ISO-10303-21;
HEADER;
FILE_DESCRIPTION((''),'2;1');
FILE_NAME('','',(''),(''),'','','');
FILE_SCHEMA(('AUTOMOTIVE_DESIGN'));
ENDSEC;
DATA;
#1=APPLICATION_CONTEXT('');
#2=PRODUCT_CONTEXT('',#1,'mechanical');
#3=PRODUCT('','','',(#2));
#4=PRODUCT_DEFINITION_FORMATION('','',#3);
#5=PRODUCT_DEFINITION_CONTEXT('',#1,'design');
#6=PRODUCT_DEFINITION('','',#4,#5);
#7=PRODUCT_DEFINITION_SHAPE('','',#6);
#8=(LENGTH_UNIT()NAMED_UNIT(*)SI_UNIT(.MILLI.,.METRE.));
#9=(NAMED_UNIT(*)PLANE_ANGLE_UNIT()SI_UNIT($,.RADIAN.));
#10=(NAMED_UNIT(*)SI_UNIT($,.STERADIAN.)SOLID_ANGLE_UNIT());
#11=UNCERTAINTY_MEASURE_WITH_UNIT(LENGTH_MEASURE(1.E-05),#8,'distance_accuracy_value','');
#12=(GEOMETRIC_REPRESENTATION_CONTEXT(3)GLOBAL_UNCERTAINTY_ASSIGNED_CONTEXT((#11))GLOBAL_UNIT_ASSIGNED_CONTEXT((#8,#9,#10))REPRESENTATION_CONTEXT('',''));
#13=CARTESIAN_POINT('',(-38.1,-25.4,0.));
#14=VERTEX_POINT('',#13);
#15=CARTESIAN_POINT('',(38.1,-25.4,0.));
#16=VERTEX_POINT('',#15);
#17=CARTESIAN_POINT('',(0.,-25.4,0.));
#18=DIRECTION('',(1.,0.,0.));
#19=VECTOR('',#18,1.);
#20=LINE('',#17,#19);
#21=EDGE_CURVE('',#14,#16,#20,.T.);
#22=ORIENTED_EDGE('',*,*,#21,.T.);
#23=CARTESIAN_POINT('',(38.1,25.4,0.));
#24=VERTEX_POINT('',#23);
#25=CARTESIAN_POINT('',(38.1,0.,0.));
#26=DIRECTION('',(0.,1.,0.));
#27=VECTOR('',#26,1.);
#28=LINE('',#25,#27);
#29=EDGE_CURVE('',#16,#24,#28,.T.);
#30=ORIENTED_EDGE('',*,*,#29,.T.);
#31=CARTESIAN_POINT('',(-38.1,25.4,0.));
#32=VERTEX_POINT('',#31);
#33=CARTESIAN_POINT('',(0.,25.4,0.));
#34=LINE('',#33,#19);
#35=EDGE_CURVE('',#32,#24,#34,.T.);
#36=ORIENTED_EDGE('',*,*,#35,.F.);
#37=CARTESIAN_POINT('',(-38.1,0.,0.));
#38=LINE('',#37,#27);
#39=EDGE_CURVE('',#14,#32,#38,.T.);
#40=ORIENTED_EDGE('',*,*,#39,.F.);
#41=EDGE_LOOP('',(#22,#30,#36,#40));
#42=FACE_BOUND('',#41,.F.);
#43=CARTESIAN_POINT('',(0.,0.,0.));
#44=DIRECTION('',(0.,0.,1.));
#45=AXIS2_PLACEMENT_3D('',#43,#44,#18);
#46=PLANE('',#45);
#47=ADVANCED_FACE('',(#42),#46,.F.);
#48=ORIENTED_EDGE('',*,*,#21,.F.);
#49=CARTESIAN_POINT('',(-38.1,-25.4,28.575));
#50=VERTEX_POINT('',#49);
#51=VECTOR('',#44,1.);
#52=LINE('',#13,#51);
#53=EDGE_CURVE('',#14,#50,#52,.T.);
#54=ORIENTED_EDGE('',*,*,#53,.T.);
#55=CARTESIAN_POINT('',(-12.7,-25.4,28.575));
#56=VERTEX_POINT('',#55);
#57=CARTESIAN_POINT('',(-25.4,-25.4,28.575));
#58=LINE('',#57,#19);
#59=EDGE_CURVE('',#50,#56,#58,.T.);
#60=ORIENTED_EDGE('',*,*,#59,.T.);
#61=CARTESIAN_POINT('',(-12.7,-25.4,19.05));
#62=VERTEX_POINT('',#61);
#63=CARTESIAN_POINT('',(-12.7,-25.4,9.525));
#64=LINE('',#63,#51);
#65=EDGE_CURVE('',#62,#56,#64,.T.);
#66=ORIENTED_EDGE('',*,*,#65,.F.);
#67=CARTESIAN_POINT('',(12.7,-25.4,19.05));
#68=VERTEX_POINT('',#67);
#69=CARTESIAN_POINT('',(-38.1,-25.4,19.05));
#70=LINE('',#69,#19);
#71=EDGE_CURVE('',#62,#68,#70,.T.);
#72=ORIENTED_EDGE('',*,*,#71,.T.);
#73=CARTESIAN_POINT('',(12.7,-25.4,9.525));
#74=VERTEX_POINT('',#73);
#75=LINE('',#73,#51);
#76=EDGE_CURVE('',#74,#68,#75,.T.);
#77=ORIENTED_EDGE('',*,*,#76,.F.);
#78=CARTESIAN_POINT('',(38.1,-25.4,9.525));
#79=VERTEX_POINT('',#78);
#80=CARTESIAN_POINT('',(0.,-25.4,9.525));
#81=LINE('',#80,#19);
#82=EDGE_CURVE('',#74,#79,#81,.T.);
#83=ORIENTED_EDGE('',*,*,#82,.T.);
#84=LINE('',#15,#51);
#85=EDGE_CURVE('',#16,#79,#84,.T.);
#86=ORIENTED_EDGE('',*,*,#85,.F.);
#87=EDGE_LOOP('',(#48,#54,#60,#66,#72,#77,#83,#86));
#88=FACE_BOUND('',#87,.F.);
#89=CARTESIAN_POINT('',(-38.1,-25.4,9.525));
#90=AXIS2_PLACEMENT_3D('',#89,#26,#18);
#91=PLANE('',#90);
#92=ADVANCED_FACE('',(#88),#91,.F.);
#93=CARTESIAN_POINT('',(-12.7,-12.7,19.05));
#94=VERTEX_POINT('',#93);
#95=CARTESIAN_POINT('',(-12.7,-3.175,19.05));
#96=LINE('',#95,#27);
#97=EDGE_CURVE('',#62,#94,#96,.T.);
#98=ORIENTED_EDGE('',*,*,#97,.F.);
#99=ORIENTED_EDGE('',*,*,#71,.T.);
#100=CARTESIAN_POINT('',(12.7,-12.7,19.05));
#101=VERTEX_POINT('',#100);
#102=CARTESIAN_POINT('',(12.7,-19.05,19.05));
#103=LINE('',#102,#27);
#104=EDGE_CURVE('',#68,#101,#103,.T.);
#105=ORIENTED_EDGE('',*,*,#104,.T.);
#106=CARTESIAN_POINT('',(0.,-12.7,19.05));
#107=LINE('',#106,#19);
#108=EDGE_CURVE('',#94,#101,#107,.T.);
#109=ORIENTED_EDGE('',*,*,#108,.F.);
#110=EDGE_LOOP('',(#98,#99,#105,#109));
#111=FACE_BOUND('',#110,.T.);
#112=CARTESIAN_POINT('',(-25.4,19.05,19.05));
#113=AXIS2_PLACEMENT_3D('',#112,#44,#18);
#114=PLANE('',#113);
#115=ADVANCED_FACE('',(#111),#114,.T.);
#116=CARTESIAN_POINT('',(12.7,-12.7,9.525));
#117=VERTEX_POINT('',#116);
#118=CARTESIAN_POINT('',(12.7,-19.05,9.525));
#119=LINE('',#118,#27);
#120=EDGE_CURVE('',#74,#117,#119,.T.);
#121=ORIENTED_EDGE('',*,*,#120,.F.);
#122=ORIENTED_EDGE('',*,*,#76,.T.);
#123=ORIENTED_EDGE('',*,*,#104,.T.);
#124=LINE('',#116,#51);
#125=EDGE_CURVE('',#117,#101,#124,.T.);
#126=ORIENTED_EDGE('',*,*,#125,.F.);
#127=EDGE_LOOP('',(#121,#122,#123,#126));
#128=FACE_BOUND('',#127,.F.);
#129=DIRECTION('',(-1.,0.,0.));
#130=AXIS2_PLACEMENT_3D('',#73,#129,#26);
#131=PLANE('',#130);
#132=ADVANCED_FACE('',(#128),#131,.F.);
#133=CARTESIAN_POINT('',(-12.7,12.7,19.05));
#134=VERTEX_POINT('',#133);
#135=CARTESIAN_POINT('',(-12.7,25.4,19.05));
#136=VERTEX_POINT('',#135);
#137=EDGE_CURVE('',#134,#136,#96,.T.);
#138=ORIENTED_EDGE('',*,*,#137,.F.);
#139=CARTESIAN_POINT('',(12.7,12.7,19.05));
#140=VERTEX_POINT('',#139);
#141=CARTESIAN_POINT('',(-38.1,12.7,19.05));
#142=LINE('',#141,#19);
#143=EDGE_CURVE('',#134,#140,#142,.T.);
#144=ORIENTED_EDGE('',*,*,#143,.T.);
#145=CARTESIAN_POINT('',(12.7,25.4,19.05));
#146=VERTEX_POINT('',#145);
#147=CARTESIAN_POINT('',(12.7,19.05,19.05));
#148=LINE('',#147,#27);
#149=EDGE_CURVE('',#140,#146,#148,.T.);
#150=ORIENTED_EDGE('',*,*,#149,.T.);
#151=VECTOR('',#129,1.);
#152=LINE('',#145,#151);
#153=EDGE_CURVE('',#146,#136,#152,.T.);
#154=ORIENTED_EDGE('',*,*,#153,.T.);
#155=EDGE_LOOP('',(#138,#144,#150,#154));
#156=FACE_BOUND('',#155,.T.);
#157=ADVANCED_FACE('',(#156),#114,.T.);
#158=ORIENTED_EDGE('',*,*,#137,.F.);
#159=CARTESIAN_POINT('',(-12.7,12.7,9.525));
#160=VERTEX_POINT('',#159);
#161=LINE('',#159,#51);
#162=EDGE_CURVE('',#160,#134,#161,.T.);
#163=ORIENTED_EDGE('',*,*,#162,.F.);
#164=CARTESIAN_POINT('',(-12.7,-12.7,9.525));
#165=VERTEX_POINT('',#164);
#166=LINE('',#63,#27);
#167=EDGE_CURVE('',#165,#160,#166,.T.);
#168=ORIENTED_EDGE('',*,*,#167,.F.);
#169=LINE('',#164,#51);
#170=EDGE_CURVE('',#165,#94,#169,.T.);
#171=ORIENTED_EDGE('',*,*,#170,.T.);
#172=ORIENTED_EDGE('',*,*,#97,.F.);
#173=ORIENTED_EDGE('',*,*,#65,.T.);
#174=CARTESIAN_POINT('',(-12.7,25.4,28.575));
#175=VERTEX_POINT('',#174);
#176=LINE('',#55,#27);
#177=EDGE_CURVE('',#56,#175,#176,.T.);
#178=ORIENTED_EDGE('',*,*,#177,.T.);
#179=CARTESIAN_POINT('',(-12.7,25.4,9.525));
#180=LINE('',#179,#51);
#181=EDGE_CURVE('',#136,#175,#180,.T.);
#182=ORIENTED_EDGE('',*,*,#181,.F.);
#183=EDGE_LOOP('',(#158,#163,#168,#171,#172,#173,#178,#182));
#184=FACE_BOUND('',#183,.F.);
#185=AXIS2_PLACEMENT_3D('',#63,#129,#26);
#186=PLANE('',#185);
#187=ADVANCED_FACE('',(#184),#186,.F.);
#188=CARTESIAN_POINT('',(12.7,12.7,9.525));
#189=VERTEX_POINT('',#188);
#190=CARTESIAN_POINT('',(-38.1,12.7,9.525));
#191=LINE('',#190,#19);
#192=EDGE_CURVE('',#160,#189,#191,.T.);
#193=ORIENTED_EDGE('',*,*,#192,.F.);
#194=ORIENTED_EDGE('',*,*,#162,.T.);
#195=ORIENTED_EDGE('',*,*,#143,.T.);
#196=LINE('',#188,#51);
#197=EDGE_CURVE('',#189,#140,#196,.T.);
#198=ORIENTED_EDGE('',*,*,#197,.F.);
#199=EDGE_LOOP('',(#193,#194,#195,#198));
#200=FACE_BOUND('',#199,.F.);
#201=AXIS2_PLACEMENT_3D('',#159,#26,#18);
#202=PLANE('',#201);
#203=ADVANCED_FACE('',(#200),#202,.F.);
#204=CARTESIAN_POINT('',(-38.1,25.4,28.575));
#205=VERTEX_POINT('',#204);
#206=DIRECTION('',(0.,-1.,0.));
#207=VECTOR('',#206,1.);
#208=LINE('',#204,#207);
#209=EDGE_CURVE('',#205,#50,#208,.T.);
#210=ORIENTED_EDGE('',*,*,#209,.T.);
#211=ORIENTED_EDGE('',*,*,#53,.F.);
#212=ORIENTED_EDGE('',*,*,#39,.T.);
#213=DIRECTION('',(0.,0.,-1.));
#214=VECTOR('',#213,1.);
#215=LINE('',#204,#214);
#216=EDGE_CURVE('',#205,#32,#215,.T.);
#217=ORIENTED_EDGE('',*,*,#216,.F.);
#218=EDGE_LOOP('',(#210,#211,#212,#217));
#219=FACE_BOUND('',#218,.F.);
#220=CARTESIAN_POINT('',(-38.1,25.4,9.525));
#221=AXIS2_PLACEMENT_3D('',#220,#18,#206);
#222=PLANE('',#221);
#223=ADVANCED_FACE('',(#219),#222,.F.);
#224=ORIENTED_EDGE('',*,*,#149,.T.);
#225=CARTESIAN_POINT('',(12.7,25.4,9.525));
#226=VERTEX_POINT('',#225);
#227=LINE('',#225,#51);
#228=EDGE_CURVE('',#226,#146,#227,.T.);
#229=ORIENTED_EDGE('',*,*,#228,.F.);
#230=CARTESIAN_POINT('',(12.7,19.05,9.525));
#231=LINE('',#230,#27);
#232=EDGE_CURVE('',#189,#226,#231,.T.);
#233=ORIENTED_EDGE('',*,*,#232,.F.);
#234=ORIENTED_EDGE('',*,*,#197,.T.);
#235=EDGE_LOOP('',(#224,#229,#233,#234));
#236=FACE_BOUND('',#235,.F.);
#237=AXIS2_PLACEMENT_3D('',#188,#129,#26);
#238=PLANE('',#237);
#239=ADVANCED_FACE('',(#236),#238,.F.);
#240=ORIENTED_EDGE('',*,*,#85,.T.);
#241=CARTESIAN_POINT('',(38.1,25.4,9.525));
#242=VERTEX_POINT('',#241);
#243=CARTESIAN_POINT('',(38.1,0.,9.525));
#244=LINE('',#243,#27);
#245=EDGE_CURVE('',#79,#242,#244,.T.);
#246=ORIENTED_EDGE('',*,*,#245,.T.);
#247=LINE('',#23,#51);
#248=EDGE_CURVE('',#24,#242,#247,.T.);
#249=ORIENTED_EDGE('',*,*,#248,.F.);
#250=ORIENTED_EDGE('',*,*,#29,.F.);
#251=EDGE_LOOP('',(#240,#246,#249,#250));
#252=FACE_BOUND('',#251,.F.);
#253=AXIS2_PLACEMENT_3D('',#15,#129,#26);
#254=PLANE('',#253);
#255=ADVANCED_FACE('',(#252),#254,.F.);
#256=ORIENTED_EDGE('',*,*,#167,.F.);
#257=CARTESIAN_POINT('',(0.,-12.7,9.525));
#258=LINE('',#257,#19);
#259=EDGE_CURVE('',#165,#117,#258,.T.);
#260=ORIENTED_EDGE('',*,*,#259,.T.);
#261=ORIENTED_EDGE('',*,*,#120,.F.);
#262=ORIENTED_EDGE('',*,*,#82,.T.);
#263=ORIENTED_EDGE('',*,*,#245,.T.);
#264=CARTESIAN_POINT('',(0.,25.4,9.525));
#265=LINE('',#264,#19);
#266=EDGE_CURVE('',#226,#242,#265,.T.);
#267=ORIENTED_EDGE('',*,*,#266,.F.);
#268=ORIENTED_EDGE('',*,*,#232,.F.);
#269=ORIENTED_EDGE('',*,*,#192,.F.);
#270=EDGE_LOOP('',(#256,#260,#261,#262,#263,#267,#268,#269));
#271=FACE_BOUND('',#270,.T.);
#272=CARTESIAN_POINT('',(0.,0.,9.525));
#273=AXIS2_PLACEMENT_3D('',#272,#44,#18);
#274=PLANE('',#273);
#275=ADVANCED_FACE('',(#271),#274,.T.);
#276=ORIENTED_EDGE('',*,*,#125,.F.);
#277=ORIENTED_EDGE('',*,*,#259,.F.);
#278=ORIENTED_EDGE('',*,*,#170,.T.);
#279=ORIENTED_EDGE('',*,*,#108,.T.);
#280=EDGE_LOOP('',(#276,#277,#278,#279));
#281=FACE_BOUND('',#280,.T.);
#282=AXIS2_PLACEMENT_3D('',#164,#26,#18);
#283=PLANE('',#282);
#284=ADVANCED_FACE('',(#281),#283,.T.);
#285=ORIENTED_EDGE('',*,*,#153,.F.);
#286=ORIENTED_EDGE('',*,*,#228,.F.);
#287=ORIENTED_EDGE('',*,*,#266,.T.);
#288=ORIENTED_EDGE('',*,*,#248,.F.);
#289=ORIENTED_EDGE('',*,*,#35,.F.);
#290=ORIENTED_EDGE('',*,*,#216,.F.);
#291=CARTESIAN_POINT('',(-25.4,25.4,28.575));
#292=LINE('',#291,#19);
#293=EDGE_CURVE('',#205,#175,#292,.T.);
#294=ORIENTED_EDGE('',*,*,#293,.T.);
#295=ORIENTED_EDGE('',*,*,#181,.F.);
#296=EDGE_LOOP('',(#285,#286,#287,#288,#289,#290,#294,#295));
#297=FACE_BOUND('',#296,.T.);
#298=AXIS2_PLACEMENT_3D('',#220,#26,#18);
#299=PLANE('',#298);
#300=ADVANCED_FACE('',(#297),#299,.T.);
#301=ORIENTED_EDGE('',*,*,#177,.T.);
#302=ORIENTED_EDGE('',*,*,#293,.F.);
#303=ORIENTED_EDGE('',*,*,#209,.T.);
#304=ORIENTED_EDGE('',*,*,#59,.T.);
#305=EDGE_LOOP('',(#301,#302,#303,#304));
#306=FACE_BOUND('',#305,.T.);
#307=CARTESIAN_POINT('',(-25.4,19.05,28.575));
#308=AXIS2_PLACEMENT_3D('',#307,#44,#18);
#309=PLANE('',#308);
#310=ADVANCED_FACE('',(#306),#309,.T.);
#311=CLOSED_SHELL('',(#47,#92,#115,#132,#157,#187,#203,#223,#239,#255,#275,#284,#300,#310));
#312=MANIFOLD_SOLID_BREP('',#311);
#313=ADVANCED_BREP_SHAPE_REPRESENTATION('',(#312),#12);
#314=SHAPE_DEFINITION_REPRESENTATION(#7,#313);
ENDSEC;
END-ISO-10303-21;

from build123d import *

# Parameters (mm, degrees)
F0_W     = 76.2
F0_H     = 50.8
F1_DEPTH = 9.525
F2_W     = 25.4
F2_H     = 12.7
F2_H_2   = 25.4
F3_DEPTH = 19.05
F4_DEPTH = 9.525


with BuildPart() as f1:
    # F0 (on Top) → F1 (new body)
    with BuildSketch(Plane.XY):
        Rectangle(F0_W, F0_H)
    extrude(amount=F1_DEPTH)

    # F2 (on face) → F3 (join)
    with BuildSketch(Plane.XY.offset(9.525)):
        with Locations((-25.4, 19.05)):
            Rectangle(F2_W, F2_H)
        with Locations((-25.4, 0)):
            Rectangle(F2_W, F2_H_2)
        with Locations((-25.4, -19.05)):
            Rectangle(F2_W, F2_H)
    extrude(amount=F3_DEPTH)

    # F2 (on face) → F4 (join)
    with BuildSketch(Plane.XY.offset(9.525)):
        with Locations((-25.4, 19.05)):
            Rectangle(F2_W, F2_H)
        with Locations((0, 19.05)):
            Rectangle(F2_W, F2_H)
        with Locations((-25.4, 0)):
            Rectangle(F2_W, F2_H_2)
        with Locations((-25.4, -19.05)):
            Rectangle(F2_W, F2_H)
        with Locations((0, -19.05)):
            Rectangle(F2_W, F2_H)
    extrude(amount=F4_DEPTH)


solid = f1.part
